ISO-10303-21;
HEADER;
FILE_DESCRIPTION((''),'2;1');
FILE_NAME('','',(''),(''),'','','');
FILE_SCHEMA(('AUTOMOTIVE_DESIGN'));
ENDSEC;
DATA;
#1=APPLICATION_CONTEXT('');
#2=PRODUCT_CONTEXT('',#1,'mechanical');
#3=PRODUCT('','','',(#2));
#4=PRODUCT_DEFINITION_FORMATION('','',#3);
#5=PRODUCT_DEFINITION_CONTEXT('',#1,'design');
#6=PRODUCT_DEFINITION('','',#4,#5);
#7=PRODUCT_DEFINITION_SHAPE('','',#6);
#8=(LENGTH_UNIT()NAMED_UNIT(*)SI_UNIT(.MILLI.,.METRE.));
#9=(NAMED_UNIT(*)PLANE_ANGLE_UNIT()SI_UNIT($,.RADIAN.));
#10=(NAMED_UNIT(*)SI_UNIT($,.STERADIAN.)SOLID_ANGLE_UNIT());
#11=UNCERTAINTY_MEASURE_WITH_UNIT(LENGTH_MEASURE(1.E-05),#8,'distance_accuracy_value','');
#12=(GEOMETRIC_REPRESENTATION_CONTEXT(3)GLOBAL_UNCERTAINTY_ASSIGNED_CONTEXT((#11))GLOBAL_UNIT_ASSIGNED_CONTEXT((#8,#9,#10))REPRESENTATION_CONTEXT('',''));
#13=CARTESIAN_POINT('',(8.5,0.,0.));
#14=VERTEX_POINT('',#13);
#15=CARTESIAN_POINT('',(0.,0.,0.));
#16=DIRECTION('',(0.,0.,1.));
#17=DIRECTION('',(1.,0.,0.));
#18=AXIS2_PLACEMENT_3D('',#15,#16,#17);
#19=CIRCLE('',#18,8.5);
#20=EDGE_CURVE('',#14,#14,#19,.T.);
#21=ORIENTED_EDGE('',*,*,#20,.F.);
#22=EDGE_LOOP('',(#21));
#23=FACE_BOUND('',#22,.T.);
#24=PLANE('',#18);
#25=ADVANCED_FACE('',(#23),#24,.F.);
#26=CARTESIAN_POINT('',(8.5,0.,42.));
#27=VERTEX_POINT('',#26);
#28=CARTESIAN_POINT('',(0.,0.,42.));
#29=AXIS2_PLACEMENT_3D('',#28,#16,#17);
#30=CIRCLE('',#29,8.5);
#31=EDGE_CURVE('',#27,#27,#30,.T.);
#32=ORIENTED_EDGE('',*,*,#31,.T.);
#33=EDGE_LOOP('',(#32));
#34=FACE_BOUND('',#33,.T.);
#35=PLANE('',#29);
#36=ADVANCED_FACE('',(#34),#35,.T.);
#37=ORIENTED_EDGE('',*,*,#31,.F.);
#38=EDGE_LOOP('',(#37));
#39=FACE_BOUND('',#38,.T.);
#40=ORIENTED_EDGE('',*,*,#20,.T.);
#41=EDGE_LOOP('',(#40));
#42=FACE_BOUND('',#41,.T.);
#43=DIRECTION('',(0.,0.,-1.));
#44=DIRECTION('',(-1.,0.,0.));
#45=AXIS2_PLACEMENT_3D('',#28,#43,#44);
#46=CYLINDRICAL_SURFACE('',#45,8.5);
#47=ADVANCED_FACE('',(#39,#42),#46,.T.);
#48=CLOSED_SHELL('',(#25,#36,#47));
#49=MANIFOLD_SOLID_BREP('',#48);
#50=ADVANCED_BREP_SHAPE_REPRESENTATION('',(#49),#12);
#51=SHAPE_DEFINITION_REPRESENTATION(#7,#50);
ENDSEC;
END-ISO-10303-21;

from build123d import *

# Parameters (mm, degrees)
SKETCH1_R           = 8.5
BOSS_EXTRUDE1_DEPTH = 42


with BuildPart() as part:
    # Sketch1 → Boss-Extrude1 (new body)
    with BuildSketch(Plane.XY):
        Circle(SKETCH1_R)
    extrude(amount=BOSS_EXTRUDE1_DEPTH)


solid = part.part
